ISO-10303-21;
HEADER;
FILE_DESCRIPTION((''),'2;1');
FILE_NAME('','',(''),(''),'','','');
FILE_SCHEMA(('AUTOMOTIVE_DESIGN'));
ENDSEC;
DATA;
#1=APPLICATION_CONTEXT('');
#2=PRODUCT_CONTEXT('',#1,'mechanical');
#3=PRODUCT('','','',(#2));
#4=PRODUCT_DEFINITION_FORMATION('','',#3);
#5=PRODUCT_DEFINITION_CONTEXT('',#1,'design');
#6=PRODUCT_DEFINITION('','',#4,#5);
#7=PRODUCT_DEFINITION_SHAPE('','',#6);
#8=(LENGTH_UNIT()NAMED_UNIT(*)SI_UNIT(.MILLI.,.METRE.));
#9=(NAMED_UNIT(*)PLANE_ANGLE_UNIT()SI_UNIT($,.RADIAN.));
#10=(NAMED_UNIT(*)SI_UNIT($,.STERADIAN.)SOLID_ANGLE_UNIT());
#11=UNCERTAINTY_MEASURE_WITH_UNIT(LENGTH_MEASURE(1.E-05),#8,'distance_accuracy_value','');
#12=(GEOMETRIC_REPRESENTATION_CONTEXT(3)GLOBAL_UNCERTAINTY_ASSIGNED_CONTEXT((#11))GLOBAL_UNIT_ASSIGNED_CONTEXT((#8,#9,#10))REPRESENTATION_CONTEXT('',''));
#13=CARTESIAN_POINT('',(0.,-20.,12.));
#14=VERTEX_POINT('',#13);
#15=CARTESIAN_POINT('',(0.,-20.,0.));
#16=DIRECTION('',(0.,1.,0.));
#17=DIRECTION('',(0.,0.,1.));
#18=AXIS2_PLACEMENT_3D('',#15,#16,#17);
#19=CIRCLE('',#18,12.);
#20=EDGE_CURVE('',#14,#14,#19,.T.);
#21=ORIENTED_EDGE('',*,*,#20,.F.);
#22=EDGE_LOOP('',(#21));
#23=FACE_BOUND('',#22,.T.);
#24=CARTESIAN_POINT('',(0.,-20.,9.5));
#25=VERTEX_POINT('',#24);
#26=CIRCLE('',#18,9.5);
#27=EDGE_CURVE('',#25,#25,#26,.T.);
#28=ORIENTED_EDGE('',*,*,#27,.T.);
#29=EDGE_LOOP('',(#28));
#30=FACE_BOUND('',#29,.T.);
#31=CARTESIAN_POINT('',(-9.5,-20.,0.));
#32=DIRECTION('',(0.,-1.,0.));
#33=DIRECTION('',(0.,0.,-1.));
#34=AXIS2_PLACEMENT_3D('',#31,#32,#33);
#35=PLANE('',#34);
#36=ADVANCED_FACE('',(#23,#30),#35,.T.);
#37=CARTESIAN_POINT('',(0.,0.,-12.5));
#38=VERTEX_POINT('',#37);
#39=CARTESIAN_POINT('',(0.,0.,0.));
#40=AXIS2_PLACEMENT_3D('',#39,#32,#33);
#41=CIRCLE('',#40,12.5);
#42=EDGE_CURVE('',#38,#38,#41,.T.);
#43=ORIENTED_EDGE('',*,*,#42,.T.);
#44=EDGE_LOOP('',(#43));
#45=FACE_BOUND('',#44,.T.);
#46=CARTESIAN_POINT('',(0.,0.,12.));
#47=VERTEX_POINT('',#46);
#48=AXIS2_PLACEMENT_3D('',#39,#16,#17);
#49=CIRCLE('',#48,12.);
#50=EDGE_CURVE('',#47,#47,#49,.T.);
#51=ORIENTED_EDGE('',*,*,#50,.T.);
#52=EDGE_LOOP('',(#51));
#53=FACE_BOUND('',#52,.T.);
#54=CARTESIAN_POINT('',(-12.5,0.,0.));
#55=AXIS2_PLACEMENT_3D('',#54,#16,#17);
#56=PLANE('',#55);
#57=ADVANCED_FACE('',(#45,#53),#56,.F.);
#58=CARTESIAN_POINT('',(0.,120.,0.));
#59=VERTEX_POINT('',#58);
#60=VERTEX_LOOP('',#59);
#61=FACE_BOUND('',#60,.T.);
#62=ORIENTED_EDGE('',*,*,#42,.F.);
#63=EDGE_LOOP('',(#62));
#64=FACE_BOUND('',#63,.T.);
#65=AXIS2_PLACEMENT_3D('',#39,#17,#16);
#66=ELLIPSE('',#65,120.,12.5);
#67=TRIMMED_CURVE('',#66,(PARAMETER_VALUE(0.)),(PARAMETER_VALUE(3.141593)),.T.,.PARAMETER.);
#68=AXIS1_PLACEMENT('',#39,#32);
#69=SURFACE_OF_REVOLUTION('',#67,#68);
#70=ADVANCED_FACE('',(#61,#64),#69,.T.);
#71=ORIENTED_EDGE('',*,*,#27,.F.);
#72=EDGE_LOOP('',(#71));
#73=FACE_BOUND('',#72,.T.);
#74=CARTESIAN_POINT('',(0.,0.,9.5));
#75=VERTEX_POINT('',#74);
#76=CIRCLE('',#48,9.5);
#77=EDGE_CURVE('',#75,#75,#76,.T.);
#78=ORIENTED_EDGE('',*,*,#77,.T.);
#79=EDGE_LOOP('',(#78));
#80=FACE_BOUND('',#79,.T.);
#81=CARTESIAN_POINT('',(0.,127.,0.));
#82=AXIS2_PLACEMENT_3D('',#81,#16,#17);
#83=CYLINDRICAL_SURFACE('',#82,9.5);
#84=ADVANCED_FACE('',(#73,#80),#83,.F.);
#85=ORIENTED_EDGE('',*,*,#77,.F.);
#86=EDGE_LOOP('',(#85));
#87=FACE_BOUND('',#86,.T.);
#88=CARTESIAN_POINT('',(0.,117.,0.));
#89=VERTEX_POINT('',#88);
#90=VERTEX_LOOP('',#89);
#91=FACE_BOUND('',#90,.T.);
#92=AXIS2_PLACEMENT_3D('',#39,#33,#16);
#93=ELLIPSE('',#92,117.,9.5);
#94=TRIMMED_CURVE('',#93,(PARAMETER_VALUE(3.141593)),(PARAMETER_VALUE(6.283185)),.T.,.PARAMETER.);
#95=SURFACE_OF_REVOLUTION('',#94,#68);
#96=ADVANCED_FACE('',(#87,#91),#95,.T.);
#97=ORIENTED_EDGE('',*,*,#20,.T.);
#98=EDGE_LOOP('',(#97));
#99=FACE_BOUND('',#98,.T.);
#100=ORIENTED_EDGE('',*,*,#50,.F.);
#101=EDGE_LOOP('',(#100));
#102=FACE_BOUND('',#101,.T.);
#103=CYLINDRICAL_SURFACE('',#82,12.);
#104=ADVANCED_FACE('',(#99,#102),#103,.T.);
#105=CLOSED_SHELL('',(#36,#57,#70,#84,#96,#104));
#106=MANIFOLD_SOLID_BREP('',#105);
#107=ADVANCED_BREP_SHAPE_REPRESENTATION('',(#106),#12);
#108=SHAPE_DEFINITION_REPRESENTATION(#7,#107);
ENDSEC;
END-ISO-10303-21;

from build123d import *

# Parameters (mm, degrees)
BOTTOMLOCKINGBODYS_W = 2.5
BOTTOMLOCKINGBODYS_H = 20


with BuildPart() as part:
    # TopBodyS → TopBody (revolve)
    with BuildSketch(Plane.XY):
        with BuildLine():
            Line((-12.5, 0), (-9.5, 0))
            add(Edge.make_bspline(
                [(0, 117), (-9.5, 117), (-9.5, 0)],
                knots=[0, 0, 0, 1.570796327, 1.570796327, 1.570796327], degree=2, weights=[1, 0.707106781, 1]))
            Line((0, 117), (0, 120))
            add(Edge.make_bspline(
                [(0, 120), (-12.5, 120), (-12.5, 0)],
                knots=[0, 0, 0, 1.570796327, 1.570796327, 1.570796327], degree=2, weights=[1, 0.707106781, 1]))
        make_face()
    revolve(axis=Axis((0, 0, 0), (0, 1, 0)))

    # BottomLockingBodyS → BottomLockingBody (revolve)
    with BuildSketch(Plane.XY):
        with Locations((-10.75, -10)):
            Rectangle(BOTTOMLOCKINGBODYS_W, BOTTOMLOCKINGBODYS_H)
    revolve(axis=Axis((0, 127, 0), (0, -1, 0)))


solid = part.part
